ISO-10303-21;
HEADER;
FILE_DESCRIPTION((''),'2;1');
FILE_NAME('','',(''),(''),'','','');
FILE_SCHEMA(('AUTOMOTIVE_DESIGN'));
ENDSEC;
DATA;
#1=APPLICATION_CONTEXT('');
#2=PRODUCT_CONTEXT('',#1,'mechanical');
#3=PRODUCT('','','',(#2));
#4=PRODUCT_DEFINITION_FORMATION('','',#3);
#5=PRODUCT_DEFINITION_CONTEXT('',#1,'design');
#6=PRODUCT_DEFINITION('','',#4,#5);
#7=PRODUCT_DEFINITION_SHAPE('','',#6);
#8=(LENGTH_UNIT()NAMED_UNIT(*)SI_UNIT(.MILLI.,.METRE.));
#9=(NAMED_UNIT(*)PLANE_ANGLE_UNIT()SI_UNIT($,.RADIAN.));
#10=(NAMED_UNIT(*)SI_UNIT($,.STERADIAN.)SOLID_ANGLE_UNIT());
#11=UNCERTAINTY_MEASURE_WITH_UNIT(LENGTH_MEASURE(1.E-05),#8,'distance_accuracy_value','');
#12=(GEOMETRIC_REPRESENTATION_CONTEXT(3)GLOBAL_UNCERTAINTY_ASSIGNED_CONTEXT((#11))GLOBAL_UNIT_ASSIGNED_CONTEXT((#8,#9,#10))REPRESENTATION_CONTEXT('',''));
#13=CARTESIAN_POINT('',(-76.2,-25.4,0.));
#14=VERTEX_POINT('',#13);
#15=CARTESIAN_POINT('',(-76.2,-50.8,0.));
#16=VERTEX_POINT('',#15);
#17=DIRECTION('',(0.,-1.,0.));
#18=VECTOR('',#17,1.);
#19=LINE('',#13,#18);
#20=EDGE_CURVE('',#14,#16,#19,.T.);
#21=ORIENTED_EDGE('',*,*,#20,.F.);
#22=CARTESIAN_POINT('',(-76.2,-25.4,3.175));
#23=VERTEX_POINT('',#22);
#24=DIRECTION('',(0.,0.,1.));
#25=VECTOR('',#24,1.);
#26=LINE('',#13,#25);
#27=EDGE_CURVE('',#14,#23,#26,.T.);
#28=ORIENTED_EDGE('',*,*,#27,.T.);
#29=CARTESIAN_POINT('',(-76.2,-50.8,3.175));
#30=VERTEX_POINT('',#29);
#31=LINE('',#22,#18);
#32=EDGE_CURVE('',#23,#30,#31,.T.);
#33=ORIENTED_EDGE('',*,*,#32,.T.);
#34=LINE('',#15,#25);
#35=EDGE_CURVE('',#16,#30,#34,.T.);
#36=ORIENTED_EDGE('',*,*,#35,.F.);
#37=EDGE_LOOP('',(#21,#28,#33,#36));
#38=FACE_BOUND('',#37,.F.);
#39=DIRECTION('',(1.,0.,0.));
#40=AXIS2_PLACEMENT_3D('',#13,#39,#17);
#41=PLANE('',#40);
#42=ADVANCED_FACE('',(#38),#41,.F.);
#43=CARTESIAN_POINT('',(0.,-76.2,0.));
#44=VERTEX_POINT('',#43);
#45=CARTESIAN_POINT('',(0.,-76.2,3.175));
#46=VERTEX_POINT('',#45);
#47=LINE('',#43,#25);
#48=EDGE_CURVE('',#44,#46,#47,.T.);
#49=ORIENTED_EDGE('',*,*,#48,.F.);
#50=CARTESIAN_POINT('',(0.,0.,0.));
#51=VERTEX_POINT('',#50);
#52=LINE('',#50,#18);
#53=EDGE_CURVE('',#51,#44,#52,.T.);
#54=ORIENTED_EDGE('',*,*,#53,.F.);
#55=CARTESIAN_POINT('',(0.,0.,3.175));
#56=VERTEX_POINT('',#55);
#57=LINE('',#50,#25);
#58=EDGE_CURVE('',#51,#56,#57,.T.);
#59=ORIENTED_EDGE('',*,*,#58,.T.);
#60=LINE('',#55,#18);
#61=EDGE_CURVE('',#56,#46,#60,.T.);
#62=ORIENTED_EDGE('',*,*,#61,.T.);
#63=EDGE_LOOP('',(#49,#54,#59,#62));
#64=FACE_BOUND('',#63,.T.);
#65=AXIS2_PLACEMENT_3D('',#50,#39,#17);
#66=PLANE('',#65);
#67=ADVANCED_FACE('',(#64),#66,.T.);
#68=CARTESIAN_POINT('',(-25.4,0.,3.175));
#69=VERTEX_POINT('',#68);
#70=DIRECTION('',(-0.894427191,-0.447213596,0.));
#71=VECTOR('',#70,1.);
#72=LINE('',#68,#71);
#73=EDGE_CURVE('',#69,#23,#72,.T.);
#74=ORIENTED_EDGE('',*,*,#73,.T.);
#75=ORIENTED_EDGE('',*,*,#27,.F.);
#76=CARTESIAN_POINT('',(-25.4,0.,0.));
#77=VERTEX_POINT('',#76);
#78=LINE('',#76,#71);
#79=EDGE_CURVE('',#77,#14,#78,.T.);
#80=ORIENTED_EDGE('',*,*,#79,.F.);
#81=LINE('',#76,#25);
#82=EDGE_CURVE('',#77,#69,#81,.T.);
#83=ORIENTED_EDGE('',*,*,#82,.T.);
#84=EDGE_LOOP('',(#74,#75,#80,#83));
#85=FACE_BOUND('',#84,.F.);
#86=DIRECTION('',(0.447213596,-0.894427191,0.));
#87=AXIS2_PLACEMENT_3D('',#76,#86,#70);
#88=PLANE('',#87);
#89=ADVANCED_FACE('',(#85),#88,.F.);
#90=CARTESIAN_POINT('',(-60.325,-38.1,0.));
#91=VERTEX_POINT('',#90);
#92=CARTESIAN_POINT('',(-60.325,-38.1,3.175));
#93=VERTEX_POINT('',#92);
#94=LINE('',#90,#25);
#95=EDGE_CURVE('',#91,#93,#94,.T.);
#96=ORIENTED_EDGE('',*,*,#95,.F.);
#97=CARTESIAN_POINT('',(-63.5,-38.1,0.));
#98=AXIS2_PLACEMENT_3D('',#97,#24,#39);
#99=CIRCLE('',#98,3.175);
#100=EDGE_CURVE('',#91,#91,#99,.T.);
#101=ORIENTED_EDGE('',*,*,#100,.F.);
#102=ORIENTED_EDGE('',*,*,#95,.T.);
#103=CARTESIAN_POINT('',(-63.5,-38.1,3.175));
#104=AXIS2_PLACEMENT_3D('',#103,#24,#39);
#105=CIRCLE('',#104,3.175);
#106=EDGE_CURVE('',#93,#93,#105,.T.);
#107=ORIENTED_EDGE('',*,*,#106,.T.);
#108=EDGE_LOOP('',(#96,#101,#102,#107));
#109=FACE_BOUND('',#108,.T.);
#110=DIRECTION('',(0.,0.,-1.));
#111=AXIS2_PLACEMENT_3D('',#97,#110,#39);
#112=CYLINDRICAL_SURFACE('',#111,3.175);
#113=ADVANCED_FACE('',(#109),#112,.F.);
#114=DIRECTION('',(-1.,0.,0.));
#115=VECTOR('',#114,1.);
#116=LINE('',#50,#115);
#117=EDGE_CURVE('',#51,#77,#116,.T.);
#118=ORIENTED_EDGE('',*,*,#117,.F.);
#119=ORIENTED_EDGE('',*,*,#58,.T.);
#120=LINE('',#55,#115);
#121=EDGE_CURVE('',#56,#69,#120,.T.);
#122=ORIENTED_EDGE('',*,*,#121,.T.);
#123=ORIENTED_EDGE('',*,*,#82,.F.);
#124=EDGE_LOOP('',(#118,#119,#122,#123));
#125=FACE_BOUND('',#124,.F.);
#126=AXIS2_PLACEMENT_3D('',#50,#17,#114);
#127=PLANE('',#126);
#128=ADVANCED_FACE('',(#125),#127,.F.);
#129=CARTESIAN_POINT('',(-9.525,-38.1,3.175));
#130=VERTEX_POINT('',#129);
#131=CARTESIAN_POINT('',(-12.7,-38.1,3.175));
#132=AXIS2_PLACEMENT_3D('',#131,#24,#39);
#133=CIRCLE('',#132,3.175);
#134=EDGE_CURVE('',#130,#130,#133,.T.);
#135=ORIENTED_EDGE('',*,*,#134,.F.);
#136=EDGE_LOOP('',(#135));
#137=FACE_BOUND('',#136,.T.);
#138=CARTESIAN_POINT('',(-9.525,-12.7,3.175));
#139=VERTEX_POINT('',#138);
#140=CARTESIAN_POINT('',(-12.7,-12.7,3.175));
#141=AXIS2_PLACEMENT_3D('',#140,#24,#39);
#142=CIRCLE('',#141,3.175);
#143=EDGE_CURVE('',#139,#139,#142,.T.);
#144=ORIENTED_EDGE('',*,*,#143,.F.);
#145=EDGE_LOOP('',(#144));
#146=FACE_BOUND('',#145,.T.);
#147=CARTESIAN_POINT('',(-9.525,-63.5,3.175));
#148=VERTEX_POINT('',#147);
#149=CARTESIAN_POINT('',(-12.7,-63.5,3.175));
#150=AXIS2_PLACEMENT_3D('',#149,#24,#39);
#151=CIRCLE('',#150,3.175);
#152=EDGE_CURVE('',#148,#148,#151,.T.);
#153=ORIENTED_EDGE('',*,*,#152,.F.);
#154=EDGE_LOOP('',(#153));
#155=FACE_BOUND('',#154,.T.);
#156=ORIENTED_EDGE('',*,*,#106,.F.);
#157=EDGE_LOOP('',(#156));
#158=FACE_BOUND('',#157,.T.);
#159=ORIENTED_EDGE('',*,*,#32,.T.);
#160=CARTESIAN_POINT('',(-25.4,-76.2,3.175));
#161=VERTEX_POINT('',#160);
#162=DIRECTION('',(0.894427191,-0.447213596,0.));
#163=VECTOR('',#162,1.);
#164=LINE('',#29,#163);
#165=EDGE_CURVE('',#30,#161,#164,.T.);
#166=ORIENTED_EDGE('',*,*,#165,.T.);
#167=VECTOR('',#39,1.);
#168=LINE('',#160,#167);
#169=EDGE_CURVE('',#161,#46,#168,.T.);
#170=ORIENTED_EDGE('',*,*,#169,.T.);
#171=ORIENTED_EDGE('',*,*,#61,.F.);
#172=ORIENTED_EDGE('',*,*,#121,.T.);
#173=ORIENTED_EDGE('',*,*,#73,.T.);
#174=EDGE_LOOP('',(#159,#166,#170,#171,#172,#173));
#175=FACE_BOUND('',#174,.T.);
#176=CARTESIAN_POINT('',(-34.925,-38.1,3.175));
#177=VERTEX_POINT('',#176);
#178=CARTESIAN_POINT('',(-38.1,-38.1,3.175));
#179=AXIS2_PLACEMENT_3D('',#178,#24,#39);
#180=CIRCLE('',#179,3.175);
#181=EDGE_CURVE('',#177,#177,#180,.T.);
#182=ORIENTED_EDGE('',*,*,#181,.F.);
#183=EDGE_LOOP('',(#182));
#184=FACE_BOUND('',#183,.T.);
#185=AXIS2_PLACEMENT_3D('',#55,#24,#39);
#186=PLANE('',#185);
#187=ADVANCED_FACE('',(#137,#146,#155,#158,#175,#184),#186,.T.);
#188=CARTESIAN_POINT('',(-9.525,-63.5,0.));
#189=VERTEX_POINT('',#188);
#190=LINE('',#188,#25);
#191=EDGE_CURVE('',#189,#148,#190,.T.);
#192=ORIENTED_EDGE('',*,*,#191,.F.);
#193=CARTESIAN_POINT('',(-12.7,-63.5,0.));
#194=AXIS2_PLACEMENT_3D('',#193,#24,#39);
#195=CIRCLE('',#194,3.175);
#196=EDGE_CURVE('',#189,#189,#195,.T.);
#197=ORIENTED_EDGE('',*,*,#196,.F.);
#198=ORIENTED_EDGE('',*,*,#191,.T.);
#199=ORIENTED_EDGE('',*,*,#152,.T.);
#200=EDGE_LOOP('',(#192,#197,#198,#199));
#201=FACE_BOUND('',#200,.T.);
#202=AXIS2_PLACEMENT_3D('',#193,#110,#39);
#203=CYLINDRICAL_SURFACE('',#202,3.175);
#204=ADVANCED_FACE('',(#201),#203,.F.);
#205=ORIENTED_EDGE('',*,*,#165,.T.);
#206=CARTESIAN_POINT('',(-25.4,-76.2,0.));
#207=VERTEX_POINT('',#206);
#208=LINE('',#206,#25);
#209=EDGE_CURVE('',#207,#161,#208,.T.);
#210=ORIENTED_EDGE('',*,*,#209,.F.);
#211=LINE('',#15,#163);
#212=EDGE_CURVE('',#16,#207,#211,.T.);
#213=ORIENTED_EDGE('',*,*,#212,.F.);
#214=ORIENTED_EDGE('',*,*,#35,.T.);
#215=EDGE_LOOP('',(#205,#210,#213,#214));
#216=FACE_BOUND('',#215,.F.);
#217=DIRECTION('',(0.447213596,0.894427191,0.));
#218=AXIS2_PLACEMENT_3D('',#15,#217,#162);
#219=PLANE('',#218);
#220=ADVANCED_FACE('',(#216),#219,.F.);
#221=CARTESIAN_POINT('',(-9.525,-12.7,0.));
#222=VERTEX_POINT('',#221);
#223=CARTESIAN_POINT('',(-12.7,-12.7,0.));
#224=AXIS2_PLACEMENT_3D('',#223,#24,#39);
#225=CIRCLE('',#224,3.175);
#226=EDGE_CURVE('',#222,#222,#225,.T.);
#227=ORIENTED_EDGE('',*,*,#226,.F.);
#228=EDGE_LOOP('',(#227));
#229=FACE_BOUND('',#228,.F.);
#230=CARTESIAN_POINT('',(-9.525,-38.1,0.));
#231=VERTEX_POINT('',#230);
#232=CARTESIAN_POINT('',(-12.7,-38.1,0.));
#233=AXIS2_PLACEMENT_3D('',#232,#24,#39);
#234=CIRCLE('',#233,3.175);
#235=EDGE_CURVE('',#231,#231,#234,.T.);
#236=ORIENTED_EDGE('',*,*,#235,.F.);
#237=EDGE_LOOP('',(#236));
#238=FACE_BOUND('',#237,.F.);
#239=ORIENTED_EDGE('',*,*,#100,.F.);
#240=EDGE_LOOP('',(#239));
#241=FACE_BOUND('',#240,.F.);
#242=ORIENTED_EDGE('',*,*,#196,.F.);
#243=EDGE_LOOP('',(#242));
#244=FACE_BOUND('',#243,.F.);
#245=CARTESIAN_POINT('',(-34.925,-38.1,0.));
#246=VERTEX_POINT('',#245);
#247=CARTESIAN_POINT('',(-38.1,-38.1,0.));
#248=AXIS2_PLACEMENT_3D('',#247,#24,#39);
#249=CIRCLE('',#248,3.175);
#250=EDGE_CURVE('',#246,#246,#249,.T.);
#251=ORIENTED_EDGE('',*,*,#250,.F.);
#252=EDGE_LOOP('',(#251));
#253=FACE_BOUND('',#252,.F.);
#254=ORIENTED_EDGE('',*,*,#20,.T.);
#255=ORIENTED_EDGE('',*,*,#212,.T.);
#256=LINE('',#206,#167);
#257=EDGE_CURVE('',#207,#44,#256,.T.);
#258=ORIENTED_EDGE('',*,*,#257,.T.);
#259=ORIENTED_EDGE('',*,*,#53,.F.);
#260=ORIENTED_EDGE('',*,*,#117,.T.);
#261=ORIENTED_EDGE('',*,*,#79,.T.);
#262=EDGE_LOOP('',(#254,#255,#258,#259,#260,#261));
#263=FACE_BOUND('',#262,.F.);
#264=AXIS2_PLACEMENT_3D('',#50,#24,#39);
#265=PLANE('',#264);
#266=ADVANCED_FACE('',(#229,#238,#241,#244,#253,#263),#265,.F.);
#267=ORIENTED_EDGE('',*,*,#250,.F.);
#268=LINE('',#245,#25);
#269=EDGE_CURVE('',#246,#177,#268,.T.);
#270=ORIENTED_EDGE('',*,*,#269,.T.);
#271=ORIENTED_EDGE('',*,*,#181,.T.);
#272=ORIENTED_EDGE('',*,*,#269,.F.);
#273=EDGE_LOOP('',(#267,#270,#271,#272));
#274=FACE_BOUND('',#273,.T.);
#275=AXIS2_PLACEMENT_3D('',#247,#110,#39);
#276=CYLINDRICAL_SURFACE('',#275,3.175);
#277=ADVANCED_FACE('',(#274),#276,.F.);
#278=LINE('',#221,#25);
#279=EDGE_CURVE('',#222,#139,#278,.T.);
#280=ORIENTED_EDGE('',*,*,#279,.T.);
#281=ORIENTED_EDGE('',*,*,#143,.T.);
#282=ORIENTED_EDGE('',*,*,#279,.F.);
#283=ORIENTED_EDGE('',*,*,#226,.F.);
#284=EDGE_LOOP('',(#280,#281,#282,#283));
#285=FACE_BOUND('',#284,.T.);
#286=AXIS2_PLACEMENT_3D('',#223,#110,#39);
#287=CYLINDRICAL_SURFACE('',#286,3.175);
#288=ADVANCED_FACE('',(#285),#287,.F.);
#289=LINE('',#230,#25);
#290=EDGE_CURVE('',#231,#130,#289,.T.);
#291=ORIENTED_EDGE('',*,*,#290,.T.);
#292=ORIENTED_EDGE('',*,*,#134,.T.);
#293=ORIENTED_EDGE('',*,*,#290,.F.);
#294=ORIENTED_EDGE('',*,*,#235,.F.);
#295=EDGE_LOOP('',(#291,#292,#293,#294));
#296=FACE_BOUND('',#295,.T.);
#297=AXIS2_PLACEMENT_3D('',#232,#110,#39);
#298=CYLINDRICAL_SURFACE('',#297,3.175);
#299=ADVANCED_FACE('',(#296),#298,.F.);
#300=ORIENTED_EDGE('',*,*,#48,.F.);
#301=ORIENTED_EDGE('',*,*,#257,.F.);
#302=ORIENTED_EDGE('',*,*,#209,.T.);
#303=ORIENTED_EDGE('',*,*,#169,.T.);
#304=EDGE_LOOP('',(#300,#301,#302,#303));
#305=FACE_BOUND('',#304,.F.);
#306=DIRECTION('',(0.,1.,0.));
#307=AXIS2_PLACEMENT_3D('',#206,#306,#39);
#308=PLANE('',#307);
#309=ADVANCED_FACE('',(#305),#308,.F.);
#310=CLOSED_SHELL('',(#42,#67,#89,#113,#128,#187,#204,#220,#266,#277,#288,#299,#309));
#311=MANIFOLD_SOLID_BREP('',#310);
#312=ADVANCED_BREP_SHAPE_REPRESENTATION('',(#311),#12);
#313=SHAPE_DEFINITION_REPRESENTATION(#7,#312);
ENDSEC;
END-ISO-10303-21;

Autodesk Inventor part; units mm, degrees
ref_plane "YZ Plane" through (0, 0, 0) normal (1, 0, 0) x (0, 1, 0)
ref_plane "XZ Plane" through (0, 0, 0) normal (0, 1, 0) x (-1, 0, 0)
ref_plane "XY Plane" through (0, 0, 0) normal (0, 0, 1) x (1, 0, 0)
sketch "Sketch1" plane through (0, 0, 0) normal (0, 0, 1) x (1, 0, 0)
  line L0 (0, 0) -> (0, -76.2)
  line L1 (0, 0) -> (76.2, 0) construction
  line L2 (0, 0) -> (-25.4, 0)
  line L3 (-25.4, 0) -> (-76.2, -25.4)
  line L4 (-76.2, -25.4) -> (-76.2, -50.8)
  line L5 (-76.2, -50.8) -> (-25.4, -76.2)
  line L6 (-25.4, -76.2) -> (0, -76.2)
  circle A0 centre (-12.7, -12.7) radius 3.175
  circle A1 centre (-12.7, -38.1) radius 3.175
  circle A2 centre (-12.7, -63.5) radius 3.175
  circle A3 centre (-38.1, -38.1) radius 3.175
  circle A4 centre (-63.5, -38.1) radius 3.175
  dimension "d0" = 76.2
  dimension "d2" = 25.4
  dimension "d3" = 25.4
  dimension "d4" = 25.4
  dimension "d5" = 76.2
  dimension "d6" = 6.35
  dimension "d7" = 12.7
  dimension "d8" = 12.7
  dimension "d9" = 12.7
  dimension "d10" = 38.1
  dimension "d11" = 25.4
  dimension "d12" = 25.4
  dimension "d13" = 12.7
  dimension "d14" = 12.7
  dimension "d15" = 12.7
  dimension "d16" = 12.7
extrude "Extrusion1" add sketch "Sketch1" along normal blind 3.175
properties part number "15102898-16-P-0210" material "Aluminum 6061"
